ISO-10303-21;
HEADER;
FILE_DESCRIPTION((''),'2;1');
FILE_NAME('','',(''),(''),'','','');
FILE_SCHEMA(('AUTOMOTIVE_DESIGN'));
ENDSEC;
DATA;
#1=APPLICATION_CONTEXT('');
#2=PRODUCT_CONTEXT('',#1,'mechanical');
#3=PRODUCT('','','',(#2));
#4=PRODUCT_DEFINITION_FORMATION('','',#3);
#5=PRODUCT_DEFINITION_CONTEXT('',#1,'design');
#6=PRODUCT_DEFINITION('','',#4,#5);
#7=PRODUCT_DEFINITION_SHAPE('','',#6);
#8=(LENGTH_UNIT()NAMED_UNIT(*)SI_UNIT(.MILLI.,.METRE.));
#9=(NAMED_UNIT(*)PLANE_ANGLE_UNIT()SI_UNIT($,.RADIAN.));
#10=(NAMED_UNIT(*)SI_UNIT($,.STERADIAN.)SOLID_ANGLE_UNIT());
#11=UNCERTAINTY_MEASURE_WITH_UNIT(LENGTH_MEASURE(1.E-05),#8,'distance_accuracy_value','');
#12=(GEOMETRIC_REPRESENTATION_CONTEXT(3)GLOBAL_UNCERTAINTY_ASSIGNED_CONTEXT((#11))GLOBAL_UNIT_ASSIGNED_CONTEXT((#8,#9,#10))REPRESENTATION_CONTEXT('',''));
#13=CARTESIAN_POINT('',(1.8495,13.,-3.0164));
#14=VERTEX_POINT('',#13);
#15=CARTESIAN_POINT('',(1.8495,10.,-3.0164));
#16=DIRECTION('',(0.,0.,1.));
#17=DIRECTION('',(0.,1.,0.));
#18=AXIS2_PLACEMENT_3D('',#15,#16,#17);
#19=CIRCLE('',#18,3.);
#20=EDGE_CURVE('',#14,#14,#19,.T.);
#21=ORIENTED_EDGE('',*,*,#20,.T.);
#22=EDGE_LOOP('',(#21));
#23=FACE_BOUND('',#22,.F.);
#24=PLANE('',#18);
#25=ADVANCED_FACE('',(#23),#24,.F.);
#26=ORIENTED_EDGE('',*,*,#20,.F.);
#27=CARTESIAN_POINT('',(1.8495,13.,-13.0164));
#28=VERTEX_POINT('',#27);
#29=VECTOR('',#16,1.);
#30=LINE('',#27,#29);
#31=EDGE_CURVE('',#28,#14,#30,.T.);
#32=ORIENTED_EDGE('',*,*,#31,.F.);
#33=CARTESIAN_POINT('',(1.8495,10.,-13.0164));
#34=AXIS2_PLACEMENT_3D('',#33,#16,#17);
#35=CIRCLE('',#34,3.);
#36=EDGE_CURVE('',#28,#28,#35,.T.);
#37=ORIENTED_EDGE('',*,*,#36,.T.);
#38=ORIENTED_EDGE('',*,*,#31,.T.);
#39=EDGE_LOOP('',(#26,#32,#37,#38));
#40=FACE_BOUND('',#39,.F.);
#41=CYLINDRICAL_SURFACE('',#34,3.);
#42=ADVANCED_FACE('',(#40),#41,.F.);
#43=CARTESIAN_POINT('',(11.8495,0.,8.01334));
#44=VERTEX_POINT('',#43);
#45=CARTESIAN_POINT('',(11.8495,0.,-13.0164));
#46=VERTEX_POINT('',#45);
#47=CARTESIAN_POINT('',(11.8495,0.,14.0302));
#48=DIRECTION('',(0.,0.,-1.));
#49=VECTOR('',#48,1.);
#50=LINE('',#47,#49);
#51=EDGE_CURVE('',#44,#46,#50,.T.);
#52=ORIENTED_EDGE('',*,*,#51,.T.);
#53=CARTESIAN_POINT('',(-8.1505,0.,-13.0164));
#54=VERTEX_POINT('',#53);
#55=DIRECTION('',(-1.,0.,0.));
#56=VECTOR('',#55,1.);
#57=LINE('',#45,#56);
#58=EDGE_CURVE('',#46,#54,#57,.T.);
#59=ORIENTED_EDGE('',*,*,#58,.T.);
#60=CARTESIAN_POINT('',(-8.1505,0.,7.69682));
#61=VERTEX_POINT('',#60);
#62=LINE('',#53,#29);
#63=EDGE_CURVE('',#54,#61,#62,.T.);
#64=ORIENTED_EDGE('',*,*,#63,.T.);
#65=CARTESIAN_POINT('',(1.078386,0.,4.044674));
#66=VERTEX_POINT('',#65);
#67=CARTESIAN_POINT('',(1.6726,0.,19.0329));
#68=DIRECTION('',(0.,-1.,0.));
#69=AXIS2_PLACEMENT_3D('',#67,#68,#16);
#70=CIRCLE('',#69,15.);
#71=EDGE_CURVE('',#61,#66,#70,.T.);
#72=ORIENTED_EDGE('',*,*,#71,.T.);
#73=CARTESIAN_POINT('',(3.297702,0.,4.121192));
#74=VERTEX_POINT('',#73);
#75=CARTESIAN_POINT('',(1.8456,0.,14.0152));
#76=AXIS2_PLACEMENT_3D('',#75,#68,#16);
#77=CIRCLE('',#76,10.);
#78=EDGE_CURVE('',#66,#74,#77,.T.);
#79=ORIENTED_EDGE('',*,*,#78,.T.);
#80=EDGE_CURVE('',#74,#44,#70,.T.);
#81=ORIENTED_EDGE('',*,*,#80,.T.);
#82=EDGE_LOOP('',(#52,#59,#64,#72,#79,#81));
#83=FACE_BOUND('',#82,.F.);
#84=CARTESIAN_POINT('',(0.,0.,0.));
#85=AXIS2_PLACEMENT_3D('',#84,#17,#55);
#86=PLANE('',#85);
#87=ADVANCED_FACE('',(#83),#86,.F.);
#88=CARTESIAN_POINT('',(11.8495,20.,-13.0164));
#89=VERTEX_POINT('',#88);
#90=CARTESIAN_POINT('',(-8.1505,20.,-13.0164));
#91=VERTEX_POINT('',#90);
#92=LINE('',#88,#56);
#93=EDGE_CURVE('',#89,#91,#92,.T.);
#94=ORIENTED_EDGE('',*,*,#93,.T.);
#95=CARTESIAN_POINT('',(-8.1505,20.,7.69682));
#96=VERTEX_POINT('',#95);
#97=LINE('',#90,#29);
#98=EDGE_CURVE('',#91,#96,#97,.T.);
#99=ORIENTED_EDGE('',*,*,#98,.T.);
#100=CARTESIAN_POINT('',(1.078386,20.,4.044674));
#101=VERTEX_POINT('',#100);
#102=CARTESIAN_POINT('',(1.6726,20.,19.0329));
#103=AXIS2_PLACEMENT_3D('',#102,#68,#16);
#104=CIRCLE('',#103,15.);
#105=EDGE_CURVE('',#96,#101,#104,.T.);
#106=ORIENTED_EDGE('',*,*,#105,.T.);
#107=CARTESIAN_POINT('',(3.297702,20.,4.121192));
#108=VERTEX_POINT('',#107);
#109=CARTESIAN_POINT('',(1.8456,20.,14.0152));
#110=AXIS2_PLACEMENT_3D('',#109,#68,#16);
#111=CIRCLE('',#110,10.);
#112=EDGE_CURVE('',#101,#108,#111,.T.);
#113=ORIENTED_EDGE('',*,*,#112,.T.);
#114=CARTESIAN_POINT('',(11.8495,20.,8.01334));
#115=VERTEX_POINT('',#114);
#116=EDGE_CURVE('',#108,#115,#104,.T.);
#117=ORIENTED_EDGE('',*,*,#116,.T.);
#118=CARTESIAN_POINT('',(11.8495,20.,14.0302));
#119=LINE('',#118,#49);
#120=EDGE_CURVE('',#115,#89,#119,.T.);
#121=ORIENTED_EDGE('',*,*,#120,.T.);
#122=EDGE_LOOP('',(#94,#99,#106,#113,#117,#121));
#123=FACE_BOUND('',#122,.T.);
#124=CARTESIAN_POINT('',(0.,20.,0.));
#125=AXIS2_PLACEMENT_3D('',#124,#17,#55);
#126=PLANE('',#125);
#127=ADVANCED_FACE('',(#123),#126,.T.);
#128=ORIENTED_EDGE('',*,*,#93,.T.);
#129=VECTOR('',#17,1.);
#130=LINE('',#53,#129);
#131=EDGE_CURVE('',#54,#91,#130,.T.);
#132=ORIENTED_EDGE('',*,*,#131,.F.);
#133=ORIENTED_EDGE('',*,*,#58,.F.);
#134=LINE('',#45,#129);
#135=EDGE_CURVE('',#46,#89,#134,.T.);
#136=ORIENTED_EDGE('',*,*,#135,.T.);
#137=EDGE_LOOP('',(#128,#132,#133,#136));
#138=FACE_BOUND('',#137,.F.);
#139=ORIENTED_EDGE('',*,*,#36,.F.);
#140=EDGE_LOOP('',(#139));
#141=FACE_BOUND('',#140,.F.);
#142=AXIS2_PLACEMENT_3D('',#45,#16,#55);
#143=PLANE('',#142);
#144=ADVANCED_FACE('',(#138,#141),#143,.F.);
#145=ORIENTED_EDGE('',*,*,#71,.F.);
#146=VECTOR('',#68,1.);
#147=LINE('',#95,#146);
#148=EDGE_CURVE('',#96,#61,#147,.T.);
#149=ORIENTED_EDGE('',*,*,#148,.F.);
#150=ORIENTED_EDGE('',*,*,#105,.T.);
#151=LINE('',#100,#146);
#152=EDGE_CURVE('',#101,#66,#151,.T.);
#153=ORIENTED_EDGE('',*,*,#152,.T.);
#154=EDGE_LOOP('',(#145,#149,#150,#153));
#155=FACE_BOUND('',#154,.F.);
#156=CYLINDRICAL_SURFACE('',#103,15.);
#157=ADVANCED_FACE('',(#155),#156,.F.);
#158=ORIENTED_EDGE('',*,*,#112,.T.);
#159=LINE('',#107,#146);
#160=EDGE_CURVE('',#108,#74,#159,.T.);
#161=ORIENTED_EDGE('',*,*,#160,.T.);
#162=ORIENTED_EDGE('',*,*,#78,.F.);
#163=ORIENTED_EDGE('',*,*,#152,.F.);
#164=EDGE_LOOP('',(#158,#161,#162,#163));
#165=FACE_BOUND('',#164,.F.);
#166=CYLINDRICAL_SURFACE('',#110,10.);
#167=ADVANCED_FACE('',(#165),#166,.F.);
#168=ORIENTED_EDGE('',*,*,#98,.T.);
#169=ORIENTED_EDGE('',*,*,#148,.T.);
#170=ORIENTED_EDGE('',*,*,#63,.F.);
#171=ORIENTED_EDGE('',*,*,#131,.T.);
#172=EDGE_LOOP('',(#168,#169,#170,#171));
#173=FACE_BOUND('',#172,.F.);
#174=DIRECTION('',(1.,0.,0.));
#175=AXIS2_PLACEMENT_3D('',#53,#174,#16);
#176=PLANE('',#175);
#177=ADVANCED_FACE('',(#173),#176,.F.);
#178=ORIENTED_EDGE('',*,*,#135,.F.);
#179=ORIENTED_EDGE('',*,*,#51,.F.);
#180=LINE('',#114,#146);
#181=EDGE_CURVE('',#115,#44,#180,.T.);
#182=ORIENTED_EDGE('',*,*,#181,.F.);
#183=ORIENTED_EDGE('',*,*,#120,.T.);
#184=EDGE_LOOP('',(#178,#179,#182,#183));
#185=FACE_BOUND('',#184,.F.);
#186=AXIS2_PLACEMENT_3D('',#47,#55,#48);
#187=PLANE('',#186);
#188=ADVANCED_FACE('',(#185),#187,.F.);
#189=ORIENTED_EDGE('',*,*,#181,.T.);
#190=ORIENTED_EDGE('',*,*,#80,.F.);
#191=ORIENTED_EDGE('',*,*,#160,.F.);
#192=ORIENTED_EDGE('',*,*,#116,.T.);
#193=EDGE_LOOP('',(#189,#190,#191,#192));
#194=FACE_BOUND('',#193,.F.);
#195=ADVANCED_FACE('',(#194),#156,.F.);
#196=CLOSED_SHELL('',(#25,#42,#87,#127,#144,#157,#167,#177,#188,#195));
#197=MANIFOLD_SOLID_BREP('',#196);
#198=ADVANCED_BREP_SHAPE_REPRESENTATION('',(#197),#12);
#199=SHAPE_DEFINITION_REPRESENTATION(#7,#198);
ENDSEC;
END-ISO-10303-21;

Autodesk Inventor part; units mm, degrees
ref_plane "YZ Plane" through (0, 0, 0) normal (1, 0, 0) x (0, 1, 0)
ref_plane "XZ Plane" through (0, 0, 0) normal (0, 1, 0) x (-1, 0, 0)
ref_plane "XY Plane" through (0, 0, 0) normal (0, 0, 1) x (1, 0, 0)
sketch "スケッチ1" plane through (0, 0, 0) normal (0, 1, 0) x (-1, 0, 0)
  line L0 (8.1505, 14.0302) -> (-11.8495, 14.0302)
  line L1 (-11.8495, 14.0302) -> (-11.8495, -13.0164)
  line L2 (-11.8495, -13.0164) -> (8.1505, -13.0164)
  line L3 (8.1505, -13.0164) -> (8.1505, 14.0302)
  point P0 (0, 0)
  dimension "d0" = 20
extrude "押し出し1" add sketch "スケッチ1" along normal blind 20
sketch "スケッチ2" plane through (-8.1505, 0, 14.0302) normal (0, 0, 1) x (1, 0, 0)
  point P0 (8.1505, 0)
sketch "スケッチ3" plane through (11.8495, 0, -13.0164) normal (0, 0, -1) x (-1, 0, 0)
  circle A0 centre (10, 10) radius 3
  line L0 (0, 20) -> (20, 20) projected
  line L1 (20, 0) -> (20, 20) projected
  point P0 (11.8495, 0)
  dimension "d3" = 6
  dimension "d4" = 10
  dimension "d5" = 10
hole "穴1" at (1.8495, 10, -13.0164) direction (0, 0, 1) diameter 6 depth 10
sketch "スケッチ4" plane through (0, 20, 0) normal (0, 1, 0) x (1, 0, 0)
  circle A0 centre (1.8456, -14.0152) radius 10
  point P0 (0, 0)
  dimension "d13" = 20
hole "穴2" at (1.8456, 20, 14.0152) direction (0, -1, 0) diameter 20 depth 20
sketch "スケッチ5" plane through (0, 20, 0) normal (0, 1, 0) x (1, 0, 0)
  circle A0 centre (1.6726, -19.0329) radius 15
  point P0 (0, 0)
  dimension "d21" = 30
hole "穴3" at (1.6726, 20, 19.0329) direction (0, -1, 0) diameter 30 depth 30
equation "\"BendRadius\" = Thickness"
equation "\"BendReliefWidth\" = Thickness"
equation "\"BendReliefDepth\" = 0.5 * Thickness"
equation "\"CornerReliefSize\" = 4 * Thickness"
equation "\"MinimumRemnant\" = 2 * Thickness"
equation "\"TransitionRadius\" = BendRadius"
equation "\"JacobiRadiusSize\" = BendRadius"
equation "\"GapSize\" = Thickness"
equation "\"Thickness\" = 0.5"
